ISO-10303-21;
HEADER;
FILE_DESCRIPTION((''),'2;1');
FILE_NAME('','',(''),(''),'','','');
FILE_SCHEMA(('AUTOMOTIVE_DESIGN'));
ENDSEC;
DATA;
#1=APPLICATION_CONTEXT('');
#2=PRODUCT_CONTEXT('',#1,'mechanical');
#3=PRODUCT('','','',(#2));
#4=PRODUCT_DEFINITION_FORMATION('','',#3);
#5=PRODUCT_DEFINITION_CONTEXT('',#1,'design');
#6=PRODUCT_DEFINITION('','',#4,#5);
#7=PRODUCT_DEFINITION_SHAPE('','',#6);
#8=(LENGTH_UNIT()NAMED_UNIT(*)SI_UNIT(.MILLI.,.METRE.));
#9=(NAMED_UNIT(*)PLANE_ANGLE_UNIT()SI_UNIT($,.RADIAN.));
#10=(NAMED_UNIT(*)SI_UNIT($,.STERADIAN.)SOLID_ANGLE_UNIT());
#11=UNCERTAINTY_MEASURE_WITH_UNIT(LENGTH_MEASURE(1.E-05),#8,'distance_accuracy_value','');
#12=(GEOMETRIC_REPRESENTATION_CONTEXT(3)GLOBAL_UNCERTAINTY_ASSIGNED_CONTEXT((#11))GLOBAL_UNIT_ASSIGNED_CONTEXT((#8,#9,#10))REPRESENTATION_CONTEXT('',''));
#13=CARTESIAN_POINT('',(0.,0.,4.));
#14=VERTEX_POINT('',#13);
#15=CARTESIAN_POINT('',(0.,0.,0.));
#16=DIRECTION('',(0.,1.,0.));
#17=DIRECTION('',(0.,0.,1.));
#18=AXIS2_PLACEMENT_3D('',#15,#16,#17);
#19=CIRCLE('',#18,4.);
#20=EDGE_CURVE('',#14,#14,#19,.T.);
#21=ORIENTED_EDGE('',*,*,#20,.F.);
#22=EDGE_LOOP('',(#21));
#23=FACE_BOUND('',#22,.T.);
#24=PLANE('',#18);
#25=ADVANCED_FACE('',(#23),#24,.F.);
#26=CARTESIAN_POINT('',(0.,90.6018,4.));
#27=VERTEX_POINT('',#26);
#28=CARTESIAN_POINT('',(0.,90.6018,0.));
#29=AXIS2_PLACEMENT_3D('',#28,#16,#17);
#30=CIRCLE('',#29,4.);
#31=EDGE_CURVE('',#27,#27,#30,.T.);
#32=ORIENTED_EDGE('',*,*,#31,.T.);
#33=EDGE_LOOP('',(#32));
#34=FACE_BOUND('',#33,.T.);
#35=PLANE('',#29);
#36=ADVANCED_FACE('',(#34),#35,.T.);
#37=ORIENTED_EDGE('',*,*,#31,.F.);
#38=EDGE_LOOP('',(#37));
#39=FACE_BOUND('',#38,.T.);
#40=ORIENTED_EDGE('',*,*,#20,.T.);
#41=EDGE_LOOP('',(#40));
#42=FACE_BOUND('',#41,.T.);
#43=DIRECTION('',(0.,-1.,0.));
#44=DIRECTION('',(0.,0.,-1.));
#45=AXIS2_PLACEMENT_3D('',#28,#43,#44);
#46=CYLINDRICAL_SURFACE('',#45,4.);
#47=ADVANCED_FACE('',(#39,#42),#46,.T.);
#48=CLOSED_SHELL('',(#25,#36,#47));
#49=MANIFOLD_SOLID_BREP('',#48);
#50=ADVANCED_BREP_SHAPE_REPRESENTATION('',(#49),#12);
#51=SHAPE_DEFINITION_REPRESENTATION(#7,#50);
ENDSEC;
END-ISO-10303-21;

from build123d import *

# Parameters (mm, degrees)
PROFILE_SKETCH_R    = 4
BOSS_EXTRUDE1_DEPTH = 90.6018


with BuildPart() as part:
    # Profile Sketch → Boss-Extrude1 (new body)
    with BuildSketch(Plane(origin=(0, 0, 0), x_dir=(1, 0, 0), z_dir=(0, 1, 0))):
        Circle(PROFILE_SKETCH_R)
    extrude(amount=BOSS_EXTRUDE1_DEPTH)


solid = part.part
